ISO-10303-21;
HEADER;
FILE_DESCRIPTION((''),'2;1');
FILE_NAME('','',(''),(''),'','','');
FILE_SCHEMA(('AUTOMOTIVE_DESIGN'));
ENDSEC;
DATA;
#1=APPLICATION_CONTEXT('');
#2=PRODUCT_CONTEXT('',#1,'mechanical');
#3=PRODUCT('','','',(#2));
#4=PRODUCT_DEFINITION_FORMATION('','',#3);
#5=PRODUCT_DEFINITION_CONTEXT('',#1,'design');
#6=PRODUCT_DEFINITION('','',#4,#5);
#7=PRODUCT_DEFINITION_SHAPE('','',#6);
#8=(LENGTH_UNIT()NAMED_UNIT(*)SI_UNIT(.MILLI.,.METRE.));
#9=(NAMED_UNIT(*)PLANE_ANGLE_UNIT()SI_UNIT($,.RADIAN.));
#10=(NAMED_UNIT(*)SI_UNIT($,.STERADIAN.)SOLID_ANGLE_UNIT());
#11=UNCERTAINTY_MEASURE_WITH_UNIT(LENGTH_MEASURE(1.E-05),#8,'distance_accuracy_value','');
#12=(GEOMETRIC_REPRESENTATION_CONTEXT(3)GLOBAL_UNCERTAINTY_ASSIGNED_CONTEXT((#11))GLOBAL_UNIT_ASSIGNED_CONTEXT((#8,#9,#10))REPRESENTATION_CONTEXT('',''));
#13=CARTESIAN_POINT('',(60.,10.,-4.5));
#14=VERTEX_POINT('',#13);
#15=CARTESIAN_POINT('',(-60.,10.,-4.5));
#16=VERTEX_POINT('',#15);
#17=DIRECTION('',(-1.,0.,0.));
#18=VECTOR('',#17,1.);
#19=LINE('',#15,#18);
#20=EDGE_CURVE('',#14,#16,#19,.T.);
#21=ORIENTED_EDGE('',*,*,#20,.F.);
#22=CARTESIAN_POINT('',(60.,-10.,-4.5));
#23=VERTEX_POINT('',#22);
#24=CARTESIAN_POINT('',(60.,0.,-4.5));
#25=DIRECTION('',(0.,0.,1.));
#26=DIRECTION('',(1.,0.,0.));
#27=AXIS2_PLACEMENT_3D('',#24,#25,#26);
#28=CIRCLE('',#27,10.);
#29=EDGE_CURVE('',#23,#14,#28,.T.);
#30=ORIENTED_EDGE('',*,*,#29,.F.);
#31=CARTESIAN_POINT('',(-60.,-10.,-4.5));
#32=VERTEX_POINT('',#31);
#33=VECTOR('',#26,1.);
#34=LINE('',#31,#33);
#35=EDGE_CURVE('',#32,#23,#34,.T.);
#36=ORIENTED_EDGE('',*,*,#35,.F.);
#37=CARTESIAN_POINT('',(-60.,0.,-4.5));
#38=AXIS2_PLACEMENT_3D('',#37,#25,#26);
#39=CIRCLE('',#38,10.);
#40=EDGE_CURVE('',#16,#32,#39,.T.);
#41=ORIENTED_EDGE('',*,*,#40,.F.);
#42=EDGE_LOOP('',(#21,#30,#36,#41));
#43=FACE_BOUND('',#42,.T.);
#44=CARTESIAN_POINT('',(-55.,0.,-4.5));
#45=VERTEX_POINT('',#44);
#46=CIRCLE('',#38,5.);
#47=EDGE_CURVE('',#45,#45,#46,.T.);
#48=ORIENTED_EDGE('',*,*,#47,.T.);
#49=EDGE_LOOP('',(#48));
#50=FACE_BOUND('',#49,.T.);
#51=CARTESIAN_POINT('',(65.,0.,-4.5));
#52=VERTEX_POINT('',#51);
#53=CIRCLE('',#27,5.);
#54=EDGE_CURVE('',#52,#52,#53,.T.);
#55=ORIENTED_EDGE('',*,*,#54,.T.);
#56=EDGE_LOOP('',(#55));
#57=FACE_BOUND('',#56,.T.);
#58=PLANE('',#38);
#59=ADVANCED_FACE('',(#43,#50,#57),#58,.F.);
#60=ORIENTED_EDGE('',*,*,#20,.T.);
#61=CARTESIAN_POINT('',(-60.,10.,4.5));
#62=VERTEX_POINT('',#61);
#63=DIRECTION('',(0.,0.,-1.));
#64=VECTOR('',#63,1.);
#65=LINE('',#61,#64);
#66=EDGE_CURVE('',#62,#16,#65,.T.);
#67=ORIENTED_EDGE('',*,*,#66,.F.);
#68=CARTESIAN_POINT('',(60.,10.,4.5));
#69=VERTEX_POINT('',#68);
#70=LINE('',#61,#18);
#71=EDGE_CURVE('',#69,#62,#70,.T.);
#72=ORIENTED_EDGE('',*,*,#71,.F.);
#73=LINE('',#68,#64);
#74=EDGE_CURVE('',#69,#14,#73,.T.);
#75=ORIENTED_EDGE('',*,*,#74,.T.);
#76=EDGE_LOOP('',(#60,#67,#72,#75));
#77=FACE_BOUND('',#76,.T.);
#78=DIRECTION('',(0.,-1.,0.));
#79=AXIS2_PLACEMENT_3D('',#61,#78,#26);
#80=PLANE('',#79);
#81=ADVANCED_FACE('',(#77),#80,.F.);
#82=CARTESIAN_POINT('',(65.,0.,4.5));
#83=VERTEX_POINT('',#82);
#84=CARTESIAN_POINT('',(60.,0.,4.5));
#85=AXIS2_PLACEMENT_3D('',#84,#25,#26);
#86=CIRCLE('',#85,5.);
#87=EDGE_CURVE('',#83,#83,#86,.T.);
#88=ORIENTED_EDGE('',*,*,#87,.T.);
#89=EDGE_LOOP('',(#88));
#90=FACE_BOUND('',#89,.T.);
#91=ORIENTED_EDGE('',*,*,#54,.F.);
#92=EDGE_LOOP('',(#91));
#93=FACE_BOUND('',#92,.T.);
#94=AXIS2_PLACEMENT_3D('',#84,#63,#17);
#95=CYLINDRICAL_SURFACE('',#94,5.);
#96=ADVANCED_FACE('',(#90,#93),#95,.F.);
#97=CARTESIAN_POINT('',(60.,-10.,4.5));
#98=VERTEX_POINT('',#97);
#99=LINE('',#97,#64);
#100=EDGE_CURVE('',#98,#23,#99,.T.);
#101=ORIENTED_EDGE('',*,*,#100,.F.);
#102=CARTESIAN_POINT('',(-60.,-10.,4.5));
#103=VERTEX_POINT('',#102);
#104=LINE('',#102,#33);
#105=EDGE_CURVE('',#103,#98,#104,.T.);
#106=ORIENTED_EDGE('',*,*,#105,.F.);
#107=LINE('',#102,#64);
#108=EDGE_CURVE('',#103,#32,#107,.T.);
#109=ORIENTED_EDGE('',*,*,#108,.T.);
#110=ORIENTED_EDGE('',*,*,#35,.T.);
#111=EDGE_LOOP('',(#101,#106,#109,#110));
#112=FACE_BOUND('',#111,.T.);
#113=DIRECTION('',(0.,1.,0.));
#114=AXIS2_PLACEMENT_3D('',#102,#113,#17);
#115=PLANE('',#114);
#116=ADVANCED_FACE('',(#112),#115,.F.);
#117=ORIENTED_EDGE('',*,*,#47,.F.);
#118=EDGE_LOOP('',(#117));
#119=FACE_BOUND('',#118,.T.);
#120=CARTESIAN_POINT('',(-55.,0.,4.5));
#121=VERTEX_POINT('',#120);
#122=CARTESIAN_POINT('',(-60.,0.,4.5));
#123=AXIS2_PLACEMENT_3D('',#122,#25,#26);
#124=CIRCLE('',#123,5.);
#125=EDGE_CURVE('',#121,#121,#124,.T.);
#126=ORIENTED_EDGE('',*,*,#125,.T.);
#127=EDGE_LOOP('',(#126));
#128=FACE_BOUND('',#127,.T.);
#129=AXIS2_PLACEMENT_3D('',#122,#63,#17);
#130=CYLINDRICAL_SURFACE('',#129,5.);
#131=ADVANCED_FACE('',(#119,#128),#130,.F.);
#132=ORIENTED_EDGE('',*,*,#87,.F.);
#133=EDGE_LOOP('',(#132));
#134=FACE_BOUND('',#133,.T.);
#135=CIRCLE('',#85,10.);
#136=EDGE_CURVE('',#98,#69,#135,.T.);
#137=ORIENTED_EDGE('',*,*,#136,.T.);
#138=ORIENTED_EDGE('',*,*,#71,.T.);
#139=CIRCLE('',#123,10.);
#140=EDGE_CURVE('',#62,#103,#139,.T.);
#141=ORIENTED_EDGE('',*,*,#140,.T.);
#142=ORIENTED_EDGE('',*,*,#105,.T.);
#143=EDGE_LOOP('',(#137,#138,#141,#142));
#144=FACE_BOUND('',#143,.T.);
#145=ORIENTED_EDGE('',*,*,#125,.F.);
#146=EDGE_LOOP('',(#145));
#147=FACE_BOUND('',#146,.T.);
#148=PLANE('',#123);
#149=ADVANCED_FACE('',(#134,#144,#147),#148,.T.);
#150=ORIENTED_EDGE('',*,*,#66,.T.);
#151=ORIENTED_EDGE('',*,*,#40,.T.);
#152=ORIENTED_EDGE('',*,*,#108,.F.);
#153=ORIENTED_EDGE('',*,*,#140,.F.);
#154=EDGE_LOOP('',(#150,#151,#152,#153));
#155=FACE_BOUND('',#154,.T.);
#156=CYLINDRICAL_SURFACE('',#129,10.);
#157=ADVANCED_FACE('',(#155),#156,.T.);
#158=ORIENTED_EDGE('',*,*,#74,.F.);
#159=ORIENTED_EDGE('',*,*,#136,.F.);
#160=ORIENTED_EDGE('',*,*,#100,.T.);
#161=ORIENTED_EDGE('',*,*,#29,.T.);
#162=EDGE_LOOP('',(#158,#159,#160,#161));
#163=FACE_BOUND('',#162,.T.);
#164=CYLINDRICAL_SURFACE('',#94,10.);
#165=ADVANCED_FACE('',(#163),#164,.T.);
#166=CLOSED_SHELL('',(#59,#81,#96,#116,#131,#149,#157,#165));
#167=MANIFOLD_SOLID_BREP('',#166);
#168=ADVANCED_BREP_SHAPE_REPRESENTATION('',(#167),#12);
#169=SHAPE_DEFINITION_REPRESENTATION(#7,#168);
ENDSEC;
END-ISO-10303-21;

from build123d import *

# Parameters (mm, degrees)
SKETCH1_R           = 5
BOSS_EXTRUDE1_DEPTH = 4.5


with BuildPart() as part:
    # Sketch1 → Boss-Extrude1 (new, symmetric)
    with BuildSketch(Plane.XY):
        with BuildLine():
            Line((-60, 10), (60, 10))
            ThreePointArc((60, 10), (70, 0), (60, -10))
            Line((60, -10), (-60, -10))
            ThreePointArc((-60, -10), (-70, 0), (-60, 10))
        make_face()
        with Locations((-60, 0)):
            Circle(SKETCH1_R, mode=Mode.SUBTRACT)
        with Locations((60, 0)):
            Circle(SKETCH1_R, mode=Mode.SUBTRACT)
    extrude(amount=BOSS_EXTRUDE1_DEPTH, both=True)


solid = part.part
